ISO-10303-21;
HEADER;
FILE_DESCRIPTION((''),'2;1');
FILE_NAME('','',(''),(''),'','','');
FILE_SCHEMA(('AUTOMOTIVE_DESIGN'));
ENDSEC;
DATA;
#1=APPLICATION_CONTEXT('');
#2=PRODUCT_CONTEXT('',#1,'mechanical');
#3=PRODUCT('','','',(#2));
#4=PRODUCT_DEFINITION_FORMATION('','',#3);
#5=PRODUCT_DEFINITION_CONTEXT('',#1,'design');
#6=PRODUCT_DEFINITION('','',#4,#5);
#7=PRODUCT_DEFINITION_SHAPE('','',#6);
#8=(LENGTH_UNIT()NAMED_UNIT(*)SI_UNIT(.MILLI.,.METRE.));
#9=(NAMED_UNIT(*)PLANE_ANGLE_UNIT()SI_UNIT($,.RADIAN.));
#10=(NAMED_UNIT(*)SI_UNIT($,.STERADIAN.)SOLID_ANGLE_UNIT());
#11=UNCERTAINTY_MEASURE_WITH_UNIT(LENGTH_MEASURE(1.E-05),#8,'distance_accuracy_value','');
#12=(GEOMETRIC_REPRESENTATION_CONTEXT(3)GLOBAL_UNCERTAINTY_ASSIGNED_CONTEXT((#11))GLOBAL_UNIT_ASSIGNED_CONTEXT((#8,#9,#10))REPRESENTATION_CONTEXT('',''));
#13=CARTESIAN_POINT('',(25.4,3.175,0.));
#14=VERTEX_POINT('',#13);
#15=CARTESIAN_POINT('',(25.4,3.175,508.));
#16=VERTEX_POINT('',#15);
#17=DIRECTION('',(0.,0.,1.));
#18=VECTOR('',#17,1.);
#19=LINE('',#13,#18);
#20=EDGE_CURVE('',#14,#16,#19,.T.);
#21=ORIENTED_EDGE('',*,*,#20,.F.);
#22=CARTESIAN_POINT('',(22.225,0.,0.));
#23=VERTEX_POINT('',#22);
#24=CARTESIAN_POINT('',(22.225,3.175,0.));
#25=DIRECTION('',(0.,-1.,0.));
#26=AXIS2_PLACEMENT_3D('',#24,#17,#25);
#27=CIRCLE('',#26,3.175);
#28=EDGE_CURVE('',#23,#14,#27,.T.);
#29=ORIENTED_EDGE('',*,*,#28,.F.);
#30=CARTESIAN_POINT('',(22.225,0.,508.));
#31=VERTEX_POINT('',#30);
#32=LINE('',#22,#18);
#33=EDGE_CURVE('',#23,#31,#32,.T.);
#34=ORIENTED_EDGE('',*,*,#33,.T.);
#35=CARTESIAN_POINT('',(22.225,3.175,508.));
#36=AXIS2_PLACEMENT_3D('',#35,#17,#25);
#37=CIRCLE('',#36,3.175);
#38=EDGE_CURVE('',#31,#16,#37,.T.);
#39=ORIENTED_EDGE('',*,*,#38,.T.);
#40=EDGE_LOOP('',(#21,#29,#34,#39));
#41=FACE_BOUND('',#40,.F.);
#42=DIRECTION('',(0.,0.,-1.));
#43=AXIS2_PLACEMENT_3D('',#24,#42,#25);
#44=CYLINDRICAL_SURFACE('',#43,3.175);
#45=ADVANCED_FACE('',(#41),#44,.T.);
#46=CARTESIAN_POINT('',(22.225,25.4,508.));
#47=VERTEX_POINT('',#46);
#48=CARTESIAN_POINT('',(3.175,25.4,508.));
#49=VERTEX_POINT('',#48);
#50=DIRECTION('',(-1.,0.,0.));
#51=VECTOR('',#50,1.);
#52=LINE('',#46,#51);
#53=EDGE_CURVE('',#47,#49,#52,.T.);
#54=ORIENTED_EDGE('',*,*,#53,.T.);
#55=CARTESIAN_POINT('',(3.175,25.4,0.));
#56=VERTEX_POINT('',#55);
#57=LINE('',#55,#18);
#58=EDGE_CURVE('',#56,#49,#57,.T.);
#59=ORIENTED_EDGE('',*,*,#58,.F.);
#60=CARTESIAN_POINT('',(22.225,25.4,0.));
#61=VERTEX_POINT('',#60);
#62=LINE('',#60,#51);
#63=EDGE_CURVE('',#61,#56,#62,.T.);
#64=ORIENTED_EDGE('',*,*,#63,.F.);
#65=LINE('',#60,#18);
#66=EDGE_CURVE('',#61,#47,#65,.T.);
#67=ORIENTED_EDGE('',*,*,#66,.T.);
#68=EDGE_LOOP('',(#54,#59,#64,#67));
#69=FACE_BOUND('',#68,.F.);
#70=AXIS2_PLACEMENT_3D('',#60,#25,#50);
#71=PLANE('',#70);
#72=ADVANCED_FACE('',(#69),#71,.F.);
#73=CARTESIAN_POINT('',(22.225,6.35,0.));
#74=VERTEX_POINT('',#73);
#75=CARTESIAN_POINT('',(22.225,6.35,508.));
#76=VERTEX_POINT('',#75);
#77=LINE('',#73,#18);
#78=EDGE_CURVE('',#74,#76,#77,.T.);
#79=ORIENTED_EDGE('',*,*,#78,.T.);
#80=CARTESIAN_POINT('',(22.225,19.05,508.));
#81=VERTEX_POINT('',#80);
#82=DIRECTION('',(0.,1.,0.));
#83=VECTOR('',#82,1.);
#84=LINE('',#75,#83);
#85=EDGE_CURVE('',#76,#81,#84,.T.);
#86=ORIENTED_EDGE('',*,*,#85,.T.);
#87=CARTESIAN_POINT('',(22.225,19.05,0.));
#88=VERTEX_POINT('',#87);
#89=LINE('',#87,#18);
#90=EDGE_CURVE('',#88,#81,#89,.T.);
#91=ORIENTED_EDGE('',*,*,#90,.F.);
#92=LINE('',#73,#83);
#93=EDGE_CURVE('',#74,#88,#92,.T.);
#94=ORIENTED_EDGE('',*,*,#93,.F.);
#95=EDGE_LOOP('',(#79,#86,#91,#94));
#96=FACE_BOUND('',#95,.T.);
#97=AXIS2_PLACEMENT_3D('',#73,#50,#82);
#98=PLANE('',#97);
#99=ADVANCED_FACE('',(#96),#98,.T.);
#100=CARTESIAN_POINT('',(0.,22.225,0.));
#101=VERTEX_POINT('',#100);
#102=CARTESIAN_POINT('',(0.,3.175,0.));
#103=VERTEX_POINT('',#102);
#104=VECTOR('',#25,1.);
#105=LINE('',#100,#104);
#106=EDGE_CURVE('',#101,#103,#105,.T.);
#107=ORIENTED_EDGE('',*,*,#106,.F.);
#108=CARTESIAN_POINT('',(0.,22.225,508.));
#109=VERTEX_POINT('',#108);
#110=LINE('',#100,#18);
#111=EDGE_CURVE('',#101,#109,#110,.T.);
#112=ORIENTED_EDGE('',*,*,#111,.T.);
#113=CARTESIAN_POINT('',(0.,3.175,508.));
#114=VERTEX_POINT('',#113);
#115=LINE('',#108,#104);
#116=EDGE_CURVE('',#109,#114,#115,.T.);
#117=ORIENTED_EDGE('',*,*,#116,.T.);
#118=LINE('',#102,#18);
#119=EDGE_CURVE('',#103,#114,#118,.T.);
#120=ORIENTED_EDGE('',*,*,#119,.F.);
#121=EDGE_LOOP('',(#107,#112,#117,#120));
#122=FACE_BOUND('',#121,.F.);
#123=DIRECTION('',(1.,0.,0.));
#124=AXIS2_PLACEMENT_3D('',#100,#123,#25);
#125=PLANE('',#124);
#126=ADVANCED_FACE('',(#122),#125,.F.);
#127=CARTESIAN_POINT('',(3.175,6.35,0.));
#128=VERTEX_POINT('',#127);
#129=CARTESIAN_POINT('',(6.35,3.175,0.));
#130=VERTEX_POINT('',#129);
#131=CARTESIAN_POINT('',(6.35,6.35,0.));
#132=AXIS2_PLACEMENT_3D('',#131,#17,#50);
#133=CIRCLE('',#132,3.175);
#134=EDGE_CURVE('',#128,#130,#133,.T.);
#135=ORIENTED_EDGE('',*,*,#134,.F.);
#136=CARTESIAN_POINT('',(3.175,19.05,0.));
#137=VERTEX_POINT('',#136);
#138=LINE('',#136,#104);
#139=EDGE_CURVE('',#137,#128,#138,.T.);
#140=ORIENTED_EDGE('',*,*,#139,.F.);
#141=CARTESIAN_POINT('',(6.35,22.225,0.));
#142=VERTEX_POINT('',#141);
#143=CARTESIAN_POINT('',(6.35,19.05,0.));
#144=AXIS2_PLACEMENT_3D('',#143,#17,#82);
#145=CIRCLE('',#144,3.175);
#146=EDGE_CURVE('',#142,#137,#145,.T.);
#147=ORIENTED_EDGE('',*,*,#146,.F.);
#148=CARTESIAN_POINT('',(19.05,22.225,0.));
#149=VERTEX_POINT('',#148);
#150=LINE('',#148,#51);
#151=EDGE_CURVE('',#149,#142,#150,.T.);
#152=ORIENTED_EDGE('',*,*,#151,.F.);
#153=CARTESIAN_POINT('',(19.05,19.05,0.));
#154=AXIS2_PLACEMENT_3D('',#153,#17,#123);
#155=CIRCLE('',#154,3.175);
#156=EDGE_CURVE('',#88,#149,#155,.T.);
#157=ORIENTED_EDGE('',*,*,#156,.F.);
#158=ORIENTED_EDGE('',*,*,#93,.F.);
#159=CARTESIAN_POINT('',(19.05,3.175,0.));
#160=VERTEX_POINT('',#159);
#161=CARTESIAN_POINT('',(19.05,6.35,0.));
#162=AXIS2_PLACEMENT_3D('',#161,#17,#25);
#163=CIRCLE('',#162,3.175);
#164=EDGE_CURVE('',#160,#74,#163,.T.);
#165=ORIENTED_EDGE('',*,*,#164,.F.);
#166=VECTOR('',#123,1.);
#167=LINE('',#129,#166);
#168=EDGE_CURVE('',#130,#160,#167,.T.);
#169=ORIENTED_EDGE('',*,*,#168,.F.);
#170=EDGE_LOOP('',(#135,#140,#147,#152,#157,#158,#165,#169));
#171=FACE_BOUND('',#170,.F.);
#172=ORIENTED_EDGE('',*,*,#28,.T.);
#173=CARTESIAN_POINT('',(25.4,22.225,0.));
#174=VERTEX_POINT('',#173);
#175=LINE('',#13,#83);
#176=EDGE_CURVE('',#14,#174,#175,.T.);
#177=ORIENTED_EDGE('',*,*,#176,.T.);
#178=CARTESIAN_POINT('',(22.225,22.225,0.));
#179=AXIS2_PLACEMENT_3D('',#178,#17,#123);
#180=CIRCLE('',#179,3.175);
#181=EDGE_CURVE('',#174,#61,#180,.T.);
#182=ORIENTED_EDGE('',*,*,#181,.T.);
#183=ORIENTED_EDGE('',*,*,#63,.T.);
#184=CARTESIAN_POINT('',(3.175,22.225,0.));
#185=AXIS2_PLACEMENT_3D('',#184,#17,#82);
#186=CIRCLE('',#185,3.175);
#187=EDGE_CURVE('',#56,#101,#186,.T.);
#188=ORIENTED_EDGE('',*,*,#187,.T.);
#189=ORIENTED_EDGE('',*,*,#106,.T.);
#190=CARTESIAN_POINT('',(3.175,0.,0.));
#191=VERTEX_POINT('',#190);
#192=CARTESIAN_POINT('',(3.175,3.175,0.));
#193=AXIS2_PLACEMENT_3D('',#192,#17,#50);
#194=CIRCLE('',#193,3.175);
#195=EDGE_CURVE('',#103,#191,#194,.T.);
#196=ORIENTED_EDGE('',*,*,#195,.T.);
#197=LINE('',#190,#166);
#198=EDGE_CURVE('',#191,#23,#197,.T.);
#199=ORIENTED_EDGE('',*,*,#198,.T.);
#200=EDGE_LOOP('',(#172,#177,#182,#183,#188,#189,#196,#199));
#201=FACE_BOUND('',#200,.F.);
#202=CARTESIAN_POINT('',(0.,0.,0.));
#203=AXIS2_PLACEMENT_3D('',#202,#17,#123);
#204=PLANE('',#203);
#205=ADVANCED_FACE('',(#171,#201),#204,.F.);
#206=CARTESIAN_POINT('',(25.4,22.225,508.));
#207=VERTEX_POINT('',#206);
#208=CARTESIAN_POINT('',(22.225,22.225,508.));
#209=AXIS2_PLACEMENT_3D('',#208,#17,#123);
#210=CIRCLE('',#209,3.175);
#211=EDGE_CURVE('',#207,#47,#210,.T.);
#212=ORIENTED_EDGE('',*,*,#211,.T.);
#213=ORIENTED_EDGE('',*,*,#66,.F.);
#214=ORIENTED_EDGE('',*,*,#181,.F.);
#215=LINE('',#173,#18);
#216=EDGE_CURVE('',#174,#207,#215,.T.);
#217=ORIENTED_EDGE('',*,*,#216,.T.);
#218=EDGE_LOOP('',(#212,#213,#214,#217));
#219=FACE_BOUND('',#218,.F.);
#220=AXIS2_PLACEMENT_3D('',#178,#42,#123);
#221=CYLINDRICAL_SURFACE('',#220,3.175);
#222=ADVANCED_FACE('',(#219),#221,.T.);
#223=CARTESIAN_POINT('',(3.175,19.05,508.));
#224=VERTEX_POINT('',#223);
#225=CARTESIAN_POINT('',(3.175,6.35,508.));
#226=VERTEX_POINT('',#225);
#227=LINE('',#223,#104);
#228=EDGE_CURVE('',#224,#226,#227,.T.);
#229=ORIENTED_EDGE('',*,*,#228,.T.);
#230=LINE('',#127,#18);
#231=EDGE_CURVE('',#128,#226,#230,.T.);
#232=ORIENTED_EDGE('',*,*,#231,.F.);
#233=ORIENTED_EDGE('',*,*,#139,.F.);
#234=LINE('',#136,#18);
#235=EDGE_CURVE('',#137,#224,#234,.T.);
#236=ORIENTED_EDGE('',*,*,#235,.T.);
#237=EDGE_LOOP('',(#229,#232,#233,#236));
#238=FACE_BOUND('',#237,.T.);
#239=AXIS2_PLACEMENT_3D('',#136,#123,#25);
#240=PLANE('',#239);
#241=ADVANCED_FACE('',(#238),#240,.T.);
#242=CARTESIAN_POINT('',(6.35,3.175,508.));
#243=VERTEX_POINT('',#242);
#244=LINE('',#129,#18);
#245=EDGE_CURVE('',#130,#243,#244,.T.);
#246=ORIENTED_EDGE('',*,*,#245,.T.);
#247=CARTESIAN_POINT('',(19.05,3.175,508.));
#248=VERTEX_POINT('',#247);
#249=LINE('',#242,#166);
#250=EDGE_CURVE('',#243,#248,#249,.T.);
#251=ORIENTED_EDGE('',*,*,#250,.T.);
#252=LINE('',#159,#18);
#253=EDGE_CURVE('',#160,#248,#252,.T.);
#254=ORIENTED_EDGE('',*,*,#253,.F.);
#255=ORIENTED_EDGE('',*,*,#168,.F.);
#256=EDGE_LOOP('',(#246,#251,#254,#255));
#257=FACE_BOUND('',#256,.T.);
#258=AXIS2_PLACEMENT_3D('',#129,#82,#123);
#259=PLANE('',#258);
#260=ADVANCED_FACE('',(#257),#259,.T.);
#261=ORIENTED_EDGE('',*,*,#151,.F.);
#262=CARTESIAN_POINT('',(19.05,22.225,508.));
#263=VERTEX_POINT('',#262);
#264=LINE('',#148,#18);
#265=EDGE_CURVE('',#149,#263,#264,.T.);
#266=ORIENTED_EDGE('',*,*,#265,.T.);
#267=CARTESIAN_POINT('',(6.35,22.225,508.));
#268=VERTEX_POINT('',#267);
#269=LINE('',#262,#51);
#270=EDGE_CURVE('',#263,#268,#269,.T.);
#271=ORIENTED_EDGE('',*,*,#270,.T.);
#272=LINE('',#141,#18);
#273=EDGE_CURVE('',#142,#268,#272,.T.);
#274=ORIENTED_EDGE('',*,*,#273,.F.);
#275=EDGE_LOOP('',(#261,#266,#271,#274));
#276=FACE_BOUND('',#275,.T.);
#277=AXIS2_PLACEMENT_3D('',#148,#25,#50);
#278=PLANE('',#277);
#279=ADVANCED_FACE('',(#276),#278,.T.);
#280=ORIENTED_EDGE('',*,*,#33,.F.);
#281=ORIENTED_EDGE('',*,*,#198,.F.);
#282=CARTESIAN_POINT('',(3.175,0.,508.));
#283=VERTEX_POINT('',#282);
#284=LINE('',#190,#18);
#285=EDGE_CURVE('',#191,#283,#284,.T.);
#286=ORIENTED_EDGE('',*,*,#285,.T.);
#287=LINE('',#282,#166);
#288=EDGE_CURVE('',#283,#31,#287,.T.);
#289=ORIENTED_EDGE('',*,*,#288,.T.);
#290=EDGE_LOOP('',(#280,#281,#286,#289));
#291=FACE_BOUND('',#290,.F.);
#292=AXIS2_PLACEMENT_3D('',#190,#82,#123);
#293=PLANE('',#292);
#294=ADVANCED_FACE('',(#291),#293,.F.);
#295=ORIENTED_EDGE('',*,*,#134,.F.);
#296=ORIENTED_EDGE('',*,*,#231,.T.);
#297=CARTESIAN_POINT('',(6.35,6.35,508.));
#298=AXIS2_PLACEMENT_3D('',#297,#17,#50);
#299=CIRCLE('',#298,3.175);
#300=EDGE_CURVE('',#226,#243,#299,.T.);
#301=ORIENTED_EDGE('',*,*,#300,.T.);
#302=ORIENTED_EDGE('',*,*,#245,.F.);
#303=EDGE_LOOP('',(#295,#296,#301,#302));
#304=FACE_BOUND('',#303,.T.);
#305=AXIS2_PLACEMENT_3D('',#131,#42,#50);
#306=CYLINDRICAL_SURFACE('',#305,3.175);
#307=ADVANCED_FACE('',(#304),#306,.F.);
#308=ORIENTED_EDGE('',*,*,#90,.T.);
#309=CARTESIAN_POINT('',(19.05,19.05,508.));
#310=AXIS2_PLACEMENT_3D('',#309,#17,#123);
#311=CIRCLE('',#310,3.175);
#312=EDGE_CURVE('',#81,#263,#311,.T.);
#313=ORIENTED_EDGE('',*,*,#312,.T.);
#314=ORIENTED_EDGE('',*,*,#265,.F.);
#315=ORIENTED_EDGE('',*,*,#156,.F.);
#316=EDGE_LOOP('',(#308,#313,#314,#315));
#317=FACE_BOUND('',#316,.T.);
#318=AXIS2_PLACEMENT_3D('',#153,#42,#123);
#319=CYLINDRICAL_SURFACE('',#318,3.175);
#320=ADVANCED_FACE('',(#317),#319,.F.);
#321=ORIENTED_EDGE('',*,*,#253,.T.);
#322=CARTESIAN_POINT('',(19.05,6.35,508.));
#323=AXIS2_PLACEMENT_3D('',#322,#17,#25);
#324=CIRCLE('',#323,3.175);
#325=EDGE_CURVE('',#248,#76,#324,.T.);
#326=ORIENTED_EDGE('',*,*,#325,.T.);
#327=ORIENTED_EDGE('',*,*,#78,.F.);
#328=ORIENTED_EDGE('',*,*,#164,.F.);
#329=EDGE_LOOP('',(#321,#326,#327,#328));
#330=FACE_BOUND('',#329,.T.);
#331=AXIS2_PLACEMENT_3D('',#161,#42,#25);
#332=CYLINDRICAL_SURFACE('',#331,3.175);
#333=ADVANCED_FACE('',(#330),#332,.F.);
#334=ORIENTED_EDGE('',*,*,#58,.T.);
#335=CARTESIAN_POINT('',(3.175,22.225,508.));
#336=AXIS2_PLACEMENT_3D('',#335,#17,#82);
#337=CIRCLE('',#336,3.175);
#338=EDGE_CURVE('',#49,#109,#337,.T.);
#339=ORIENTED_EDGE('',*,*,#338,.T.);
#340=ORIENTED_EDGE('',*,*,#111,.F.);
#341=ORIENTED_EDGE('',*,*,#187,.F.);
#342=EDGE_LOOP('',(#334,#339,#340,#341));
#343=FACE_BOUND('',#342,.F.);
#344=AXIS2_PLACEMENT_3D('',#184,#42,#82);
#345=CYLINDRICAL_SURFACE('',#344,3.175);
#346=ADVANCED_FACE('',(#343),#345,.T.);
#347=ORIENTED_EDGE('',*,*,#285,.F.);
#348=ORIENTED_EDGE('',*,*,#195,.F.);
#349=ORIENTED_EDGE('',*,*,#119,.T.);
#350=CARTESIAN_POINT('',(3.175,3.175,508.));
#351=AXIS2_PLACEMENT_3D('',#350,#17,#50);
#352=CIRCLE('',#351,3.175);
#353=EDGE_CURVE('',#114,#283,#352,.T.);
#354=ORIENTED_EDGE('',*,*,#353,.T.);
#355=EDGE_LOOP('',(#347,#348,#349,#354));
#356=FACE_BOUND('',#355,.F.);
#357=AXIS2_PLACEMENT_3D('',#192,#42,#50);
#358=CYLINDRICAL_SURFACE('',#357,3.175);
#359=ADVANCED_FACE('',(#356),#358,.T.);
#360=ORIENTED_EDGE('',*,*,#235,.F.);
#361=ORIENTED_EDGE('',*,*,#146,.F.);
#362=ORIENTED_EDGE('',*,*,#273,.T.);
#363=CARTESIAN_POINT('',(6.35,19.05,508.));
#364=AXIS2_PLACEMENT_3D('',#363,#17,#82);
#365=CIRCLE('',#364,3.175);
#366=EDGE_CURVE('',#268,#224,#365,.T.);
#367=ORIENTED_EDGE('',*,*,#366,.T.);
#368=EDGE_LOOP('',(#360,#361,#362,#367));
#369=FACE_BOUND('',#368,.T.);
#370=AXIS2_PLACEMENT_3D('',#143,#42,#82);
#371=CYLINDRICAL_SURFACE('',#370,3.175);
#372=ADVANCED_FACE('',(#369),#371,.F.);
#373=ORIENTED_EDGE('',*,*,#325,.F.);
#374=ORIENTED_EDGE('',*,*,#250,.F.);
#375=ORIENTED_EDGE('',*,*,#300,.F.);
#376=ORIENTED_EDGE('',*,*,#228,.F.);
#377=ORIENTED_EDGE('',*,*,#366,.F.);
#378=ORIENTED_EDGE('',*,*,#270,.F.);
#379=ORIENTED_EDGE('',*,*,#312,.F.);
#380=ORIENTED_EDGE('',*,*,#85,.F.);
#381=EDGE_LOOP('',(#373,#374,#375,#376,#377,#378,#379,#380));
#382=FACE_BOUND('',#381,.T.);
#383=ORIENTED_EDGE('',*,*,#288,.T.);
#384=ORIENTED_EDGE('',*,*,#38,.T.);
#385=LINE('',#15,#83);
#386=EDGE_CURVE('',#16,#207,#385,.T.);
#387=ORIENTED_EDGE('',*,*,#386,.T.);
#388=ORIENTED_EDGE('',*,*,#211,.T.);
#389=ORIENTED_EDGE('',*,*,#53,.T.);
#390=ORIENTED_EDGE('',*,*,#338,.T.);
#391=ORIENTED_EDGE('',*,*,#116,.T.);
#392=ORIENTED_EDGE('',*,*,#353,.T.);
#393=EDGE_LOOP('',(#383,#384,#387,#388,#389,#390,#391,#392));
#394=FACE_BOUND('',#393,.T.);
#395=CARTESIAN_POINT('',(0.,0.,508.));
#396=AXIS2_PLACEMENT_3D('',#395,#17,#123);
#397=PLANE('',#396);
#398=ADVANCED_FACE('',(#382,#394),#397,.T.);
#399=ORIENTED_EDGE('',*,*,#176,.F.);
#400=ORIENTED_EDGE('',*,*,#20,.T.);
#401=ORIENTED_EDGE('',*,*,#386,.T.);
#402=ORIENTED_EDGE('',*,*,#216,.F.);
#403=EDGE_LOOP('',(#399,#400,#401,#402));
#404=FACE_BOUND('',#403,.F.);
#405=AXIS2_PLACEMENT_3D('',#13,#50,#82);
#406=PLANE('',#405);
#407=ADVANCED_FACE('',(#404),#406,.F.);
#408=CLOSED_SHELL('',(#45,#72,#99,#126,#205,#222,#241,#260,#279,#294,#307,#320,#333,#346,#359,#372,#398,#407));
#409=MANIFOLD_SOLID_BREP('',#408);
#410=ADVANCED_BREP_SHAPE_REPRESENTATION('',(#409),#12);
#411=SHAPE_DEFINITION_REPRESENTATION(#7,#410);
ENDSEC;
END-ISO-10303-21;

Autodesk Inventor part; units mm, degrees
ref_plane "YZ Plane" through (0, 0, 0) normal (1, 0, 0) x (0, 1, 0)
ref_plane "XZ Plane" through (0, 0, 0) normal (0, 1, 0) x (-1, 0, 0)
ref_plane "XY Plane" through (0, 0, 0) normal (0, 0, 1) x (1, 0, 0)
sketch "Sketch1" plane through (0, 0, 0) normal (0, 0, 1) x (1, 0, 0)
  line L0 (3.175, 0) -> (22.225, 0)
  line L1 (25.4, 3.175) -> (25.4, 22.225)
  line L2 (22.225, 25.4) -> (3.175, 25.4)
  line L3 (0, 22.225) -> (0, 3.175)
  arc A0 (3.175, 25.4) -> (0, 22.225) centre (3.175, 22.225) ccw
  arc A1 (25.4, 22.225) -> (22.225, 25.4) centre (22.225, 22.225) ccw
  arc A2 (22.225, 0) -> (25.4, 3.175) centre (22.225, 3.175) ccw
  arc A3 (0, 3.175) -> (3.175, 0) centre (3.175, 3.175) ccw
  line L4 (6.35, 3.175) -> (19.05, 3.175)
  line L5 (22.225, 6.35) -> (22.225, 19.05)
  line L6 (19.05, 22.225) -> (6.35, 22.225)
  line L7 (3.175, 19.05) -> (3.175, 6.35)
  arc A4 (6.35, 22.225) -> (3.175, 19.05) centre (6.35, 19.05) ccw
  arc A5 (19.05, 3.175) -> (22.225, 6.35) centre (19.05, 6.35) ccw
  arc A6 (22.225, 19.05) -> (19.05, 22.225) centre (19.05, 19.05) ccw
  arc A7 (3.175, 6.35) -> (6.35, 3.175) centre (6.35, 6.35) ccw
  point P0 (0, 0)
  point P1 (25.4, 25.4)
  point P2 (25.4, 0)
  point P3 (0, 25.4)
  dimension "d0" = 25.4
  dimension "d1" = 25.4
  dimension "d2" = 3.175
  dimension "d3" = 3.175
extrude "Extrusion1" add sketch "Sketch1" along normal blind 508
properties part number "InitialVert"
